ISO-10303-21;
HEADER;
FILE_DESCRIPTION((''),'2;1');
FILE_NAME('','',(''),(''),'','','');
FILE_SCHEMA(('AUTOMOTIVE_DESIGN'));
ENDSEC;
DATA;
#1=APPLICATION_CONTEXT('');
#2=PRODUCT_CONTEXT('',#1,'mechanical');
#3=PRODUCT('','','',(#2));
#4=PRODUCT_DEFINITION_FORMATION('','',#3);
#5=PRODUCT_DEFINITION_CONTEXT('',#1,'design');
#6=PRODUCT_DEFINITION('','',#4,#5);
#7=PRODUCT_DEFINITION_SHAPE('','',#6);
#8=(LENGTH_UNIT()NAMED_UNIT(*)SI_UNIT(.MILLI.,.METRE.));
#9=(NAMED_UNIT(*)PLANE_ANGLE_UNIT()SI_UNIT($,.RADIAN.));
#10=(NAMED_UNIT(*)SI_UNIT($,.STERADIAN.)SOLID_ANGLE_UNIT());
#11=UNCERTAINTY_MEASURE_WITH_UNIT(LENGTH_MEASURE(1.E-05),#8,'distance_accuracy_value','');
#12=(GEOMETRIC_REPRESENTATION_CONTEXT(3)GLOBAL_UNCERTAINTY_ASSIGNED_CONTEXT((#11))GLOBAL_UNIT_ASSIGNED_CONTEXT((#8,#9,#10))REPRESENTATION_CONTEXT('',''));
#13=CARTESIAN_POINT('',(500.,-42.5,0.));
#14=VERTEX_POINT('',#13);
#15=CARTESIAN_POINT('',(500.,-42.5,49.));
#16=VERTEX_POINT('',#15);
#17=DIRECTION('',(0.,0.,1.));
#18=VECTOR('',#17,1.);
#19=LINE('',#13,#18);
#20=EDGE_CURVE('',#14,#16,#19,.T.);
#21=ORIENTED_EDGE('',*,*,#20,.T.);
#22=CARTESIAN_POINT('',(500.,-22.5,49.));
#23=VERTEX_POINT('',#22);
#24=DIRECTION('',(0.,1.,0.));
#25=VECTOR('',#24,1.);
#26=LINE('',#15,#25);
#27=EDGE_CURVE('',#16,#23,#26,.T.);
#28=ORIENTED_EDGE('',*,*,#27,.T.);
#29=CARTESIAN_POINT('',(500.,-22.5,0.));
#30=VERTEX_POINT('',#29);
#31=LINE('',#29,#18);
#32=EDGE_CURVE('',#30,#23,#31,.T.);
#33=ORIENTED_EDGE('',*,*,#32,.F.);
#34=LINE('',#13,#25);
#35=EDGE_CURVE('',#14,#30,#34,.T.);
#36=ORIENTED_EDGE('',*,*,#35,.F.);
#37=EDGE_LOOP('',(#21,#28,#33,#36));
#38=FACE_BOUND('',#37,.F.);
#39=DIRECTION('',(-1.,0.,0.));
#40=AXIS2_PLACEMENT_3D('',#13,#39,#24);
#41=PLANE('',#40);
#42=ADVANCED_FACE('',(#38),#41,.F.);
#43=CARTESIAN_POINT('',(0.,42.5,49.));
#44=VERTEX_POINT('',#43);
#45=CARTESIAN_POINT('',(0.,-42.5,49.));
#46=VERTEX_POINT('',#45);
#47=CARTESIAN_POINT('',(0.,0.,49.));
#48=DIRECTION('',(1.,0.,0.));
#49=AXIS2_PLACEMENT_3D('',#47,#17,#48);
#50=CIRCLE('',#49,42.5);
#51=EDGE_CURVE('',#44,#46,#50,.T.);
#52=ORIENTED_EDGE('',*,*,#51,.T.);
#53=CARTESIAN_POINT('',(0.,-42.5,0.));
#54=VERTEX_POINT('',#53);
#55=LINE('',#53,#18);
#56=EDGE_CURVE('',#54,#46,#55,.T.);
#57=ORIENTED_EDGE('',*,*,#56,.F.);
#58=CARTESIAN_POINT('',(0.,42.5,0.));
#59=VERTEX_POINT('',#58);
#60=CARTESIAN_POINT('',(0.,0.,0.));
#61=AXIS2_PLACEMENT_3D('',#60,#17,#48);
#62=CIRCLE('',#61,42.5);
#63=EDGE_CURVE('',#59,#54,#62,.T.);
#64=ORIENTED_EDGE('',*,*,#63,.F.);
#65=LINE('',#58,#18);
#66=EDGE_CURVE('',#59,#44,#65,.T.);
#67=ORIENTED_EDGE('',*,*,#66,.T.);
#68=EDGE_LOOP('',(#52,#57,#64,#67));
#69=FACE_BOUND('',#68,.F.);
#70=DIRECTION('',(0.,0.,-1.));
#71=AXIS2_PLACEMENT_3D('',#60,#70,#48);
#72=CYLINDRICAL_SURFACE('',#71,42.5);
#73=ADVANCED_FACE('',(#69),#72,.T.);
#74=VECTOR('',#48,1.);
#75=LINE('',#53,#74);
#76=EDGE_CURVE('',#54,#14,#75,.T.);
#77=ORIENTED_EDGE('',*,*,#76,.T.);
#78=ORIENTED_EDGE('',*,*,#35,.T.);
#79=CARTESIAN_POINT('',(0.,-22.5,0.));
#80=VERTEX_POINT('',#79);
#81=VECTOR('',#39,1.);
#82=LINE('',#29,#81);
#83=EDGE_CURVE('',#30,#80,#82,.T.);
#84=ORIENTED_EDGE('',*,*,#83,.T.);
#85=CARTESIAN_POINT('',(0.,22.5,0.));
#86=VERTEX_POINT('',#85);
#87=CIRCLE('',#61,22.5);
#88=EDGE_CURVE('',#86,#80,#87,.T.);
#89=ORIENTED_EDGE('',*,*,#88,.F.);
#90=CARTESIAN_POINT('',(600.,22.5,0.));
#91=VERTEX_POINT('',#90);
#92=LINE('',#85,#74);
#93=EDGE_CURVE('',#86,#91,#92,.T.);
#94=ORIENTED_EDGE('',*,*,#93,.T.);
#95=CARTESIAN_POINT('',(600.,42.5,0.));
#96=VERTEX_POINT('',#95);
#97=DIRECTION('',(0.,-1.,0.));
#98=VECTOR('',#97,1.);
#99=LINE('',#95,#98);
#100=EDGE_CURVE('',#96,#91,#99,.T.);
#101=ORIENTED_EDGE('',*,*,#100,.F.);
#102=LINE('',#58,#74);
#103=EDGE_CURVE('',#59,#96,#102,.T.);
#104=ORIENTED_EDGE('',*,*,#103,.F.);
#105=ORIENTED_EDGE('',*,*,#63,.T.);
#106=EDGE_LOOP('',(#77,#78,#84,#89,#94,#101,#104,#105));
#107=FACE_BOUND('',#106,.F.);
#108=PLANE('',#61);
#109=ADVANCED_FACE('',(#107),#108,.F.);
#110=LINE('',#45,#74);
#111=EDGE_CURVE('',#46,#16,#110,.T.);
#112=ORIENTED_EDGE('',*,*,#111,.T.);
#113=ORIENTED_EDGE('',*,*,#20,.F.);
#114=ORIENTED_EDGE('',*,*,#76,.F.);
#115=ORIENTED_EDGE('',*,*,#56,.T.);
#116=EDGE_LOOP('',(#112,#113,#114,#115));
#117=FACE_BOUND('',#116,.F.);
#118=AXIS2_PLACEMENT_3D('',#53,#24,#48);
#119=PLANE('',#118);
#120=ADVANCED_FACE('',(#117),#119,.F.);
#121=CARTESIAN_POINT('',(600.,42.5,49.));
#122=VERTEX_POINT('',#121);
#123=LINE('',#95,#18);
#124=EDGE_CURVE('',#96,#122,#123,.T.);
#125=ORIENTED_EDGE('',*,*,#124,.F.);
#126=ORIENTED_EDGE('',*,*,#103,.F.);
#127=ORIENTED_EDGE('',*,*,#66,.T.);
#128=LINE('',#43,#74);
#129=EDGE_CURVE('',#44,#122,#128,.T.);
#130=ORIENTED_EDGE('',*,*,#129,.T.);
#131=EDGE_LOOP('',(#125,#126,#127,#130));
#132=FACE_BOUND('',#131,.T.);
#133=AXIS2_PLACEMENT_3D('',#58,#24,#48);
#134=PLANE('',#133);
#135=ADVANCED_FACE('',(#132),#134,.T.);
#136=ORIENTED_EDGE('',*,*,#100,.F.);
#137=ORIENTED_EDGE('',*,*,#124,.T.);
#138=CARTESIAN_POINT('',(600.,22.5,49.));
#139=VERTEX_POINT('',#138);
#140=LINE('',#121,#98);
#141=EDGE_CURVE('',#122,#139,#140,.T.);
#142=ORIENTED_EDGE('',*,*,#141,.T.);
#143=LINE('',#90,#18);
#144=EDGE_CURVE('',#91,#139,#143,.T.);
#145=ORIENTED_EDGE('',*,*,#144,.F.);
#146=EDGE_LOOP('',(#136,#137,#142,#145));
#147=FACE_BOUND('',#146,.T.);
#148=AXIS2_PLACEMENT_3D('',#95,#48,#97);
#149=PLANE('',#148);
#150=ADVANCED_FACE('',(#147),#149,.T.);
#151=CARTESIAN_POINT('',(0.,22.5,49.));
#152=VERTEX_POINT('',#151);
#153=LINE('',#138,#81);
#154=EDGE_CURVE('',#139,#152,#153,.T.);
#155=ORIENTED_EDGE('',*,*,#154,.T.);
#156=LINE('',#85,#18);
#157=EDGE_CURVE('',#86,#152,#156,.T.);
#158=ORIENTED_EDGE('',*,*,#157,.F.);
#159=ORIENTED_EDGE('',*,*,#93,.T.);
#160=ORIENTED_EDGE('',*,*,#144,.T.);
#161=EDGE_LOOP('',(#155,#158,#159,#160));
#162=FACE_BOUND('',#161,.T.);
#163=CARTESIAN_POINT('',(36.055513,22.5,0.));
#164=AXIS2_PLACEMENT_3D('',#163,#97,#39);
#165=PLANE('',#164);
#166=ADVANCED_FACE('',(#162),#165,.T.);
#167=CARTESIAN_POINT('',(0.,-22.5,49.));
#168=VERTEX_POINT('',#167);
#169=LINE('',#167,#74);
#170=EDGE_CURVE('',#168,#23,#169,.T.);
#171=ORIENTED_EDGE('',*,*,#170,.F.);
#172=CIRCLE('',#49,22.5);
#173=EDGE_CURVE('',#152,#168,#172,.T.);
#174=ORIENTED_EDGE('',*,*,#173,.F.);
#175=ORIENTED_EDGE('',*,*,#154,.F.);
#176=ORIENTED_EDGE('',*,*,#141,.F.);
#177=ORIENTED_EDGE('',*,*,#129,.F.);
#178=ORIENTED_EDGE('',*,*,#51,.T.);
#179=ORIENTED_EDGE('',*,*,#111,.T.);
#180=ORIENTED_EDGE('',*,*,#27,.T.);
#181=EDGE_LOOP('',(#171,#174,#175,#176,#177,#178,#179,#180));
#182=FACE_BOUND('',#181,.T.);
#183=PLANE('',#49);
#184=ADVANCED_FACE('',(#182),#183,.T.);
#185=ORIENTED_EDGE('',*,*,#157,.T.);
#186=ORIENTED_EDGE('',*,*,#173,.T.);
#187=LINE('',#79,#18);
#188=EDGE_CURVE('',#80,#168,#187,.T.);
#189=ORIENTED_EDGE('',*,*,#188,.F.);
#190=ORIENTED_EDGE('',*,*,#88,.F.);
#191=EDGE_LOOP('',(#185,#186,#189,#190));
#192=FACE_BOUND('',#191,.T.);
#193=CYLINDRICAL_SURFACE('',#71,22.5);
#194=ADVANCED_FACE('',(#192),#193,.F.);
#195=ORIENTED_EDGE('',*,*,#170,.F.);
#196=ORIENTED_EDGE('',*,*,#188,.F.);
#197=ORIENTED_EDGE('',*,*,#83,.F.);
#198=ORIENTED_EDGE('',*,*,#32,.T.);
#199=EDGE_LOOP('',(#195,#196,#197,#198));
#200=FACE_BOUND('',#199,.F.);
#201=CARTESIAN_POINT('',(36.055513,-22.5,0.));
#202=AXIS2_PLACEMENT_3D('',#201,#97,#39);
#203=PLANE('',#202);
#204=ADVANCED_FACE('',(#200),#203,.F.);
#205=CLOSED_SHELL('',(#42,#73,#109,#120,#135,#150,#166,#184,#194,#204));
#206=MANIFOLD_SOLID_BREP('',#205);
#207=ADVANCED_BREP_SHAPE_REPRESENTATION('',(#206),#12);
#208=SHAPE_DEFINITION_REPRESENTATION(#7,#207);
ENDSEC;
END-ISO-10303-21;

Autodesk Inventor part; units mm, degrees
ref_plane "YZ Plane" through (0, 0, 0) normal (1, 0, 0) x (0, 1, 0)
ref_plane "XZ Plane" through (0, 0, 0) normal (0, 1, 0) x (-1, 0, 0)
ref_plane "XY Plane" through (0, 0, 0) normal (0, 0, 1) x (1, 0, 0)
sketch "Sketch1" plane through (0, 0, 0) normal (0, 0, 1) x (1, 0, 0)
  circle A0 centre (0, 0) radius 42.5
  line L0 (0, -42.5) -> (500, -42.5)
  line L1 (500, -42.5) -> (500, -22.5)
  line L2 (500, -22.5) -> (0, -22.5)
  line L3 (0, -22.5) -> (0, -42.5)
  line L4 (0, 42.5) -> (600, 42.5)
  line L5 (600, 42.5) -> (600, 22.5)
  line L6 (600, 22.5) -> (0, 22.5)
  line L7 (0, 22.5) -> (0, 42.5)
  circle A1 centre (0, 0) radius 22.5
  point P0 (0, -22.5)
  point P1 (0, 22.5)
  dimension "d0" = 85
  dimension "d1" = 20
  dimension "d2" = 20
  dimension "d4" = 500
  dimension "d9" = 600
extrude "Extrusion1" add sketch "Sketch1" along normal blind 49 contours L7 A1 L3 A0 | L4 L5 L6 A0 | A0 L6 L7 | L3 L2 A0 | A0 L2 L1 L0
properties part number "J15BF.1.40_Xaxis"
